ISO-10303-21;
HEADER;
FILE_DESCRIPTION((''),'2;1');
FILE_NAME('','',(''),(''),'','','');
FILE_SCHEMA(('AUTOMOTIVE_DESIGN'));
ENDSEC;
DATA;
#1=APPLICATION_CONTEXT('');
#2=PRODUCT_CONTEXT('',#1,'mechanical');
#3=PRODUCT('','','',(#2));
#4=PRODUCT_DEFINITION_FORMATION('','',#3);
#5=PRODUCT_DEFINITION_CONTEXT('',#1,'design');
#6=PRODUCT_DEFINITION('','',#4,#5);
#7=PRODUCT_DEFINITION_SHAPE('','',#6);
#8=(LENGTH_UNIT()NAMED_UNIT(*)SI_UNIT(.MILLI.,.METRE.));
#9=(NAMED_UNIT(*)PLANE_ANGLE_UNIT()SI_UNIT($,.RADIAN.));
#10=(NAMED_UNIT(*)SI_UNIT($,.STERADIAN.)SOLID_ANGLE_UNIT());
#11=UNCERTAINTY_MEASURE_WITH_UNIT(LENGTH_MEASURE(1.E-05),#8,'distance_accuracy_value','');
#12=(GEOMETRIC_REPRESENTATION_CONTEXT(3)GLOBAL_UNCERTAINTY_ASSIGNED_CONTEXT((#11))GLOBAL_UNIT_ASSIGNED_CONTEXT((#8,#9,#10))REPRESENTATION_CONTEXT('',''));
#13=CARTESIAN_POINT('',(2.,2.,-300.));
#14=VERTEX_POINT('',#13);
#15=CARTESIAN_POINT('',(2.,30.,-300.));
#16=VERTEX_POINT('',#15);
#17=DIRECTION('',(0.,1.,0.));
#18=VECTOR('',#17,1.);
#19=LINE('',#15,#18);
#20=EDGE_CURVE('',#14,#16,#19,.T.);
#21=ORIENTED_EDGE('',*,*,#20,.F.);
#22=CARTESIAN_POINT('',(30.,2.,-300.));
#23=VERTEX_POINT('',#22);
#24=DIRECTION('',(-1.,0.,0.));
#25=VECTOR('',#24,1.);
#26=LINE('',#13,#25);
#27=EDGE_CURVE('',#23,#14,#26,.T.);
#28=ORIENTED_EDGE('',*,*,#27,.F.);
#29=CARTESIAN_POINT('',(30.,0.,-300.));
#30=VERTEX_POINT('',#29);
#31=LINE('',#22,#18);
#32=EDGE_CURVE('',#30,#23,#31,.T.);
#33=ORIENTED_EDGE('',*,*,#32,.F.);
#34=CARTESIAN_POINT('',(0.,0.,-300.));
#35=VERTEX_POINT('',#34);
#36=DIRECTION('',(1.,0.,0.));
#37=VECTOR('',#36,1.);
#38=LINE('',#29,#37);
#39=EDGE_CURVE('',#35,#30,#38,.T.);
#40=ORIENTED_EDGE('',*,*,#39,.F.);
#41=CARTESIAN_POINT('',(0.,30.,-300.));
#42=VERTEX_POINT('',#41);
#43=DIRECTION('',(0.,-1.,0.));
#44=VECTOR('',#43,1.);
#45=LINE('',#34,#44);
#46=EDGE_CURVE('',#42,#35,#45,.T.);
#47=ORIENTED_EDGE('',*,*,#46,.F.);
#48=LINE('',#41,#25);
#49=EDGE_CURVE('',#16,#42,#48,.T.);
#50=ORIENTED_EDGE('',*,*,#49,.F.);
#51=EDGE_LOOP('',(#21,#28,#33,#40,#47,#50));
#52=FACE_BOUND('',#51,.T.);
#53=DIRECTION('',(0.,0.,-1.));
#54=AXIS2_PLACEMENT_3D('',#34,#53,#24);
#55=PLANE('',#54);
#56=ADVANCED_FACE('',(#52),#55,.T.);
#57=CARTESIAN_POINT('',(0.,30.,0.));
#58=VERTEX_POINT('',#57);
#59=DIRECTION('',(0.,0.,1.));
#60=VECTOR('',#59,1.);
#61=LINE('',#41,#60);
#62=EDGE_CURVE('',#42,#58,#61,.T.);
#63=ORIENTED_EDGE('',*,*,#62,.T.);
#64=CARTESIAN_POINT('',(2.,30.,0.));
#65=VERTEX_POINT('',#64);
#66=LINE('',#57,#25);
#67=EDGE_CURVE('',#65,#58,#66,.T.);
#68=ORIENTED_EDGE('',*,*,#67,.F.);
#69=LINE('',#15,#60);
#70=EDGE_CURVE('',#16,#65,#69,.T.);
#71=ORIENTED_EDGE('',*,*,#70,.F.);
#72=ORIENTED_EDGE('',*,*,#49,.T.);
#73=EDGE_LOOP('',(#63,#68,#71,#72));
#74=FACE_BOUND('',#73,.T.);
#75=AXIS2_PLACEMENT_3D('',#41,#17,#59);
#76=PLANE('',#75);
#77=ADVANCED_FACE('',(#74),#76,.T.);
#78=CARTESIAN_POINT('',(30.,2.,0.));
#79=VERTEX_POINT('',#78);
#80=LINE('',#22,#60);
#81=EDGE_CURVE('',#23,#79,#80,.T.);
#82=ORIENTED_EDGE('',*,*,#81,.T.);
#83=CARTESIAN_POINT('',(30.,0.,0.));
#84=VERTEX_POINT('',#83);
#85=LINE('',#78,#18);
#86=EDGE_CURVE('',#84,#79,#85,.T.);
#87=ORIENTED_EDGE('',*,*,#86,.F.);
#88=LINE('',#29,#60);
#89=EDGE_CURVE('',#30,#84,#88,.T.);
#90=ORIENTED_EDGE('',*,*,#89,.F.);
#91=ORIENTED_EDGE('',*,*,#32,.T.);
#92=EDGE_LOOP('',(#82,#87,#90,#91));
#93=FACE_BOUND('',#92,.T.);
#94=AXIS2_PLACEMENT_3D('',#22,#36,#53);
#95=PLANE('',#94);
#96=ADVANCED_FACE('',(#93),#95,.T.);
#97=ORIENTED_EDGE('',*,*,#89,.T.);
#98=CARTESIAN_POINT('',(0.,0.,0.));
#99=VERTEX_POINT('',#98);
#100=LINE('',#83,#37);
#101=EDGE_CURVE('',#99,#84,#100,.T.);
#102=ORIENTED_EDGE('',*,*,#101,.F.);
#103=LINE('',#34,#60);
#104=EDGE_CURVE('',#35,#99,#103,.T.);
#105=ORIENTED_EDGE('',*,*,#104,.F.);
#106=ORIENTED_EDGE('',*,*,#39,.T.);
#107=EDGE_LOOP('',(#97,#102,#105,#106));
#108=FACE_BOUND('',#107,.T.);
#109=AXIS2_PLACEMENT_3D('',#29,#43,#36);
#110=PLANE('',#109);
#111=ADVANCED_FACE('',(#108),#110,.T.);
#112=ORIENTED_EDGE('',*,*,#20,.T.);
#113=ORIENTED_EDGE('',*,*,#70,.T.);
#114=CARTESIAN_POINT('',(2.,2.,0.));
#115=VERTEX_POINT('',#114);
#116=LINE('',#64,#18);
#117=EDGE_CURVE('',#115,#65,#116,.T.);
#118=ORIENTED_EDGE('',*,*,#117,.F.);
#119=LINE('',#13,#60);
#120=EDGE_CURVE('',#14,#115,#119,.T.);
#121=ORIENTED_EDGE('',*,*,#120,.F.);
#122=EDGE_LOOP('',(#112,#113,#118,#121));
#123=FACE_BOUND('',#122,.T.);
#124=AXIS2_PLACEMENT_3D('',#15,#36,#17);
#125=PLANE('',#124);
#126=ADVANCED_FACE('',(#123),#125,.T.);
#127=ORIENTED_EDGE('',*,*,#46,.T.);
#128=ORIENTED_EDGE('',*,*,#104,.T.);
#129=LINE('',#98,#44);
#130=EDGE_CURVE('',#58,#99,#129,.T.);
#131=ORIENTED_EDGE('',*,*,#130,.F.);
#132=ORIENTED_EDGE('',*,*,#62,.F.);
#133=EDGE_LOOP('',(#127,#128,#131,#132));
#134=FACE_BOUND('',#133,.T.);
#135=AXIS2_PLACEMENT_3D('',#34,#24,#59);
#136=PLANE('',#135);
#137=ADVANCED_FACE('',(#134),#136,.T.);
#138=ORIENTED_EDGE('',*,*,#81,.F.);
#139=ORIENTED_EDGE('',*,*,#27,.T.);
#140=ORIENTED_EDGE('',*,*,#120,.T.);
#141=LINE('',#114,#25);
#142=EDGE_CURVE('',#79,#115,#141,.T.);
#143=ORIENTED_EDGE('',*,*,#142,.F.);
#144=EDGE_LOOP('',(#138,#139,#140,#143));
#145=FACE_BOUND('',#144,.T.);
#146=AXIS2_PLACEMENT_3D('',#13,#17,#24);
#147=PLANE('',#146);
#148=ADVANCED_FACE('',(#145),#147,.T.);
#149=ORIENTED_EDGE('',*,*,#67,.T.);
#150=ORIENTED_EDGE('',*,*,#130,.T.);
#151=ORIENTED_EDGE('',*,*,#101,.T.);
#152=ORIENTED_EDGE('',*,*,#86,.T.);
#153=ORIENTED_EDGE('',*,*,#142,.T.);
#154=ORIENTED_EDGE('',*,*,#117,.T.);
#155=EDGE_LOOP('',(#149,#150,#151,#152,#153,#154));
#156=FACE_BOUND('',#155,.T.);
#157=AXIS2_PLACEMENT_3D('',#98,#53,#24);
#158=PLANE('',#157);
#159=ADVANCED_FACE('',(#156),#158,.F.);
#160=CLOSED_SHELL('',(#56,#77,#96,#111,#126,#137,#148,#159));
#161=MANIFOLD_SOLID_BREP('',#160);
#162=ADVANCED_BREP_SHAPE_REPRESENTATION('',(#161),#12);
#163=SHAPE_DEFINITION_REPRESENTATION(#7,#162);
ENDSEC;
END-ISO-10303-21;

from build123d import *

# Parameters (mm, degrees)
BOSS_EXTRUDE1_DEPTH = 300


with BuildPart() as part:
    # Sketch1 → Boss-Extrude1 (new body)
    with BuildSketch(Plane.XY):
        Polygon((0, 0), (0, 30), (2, 30), (2, 2), (30, 2), (30, 0), align=None)
    extrude(amount=-BOSS_EXTRUDE1_DEPTH)


solid = part.part
